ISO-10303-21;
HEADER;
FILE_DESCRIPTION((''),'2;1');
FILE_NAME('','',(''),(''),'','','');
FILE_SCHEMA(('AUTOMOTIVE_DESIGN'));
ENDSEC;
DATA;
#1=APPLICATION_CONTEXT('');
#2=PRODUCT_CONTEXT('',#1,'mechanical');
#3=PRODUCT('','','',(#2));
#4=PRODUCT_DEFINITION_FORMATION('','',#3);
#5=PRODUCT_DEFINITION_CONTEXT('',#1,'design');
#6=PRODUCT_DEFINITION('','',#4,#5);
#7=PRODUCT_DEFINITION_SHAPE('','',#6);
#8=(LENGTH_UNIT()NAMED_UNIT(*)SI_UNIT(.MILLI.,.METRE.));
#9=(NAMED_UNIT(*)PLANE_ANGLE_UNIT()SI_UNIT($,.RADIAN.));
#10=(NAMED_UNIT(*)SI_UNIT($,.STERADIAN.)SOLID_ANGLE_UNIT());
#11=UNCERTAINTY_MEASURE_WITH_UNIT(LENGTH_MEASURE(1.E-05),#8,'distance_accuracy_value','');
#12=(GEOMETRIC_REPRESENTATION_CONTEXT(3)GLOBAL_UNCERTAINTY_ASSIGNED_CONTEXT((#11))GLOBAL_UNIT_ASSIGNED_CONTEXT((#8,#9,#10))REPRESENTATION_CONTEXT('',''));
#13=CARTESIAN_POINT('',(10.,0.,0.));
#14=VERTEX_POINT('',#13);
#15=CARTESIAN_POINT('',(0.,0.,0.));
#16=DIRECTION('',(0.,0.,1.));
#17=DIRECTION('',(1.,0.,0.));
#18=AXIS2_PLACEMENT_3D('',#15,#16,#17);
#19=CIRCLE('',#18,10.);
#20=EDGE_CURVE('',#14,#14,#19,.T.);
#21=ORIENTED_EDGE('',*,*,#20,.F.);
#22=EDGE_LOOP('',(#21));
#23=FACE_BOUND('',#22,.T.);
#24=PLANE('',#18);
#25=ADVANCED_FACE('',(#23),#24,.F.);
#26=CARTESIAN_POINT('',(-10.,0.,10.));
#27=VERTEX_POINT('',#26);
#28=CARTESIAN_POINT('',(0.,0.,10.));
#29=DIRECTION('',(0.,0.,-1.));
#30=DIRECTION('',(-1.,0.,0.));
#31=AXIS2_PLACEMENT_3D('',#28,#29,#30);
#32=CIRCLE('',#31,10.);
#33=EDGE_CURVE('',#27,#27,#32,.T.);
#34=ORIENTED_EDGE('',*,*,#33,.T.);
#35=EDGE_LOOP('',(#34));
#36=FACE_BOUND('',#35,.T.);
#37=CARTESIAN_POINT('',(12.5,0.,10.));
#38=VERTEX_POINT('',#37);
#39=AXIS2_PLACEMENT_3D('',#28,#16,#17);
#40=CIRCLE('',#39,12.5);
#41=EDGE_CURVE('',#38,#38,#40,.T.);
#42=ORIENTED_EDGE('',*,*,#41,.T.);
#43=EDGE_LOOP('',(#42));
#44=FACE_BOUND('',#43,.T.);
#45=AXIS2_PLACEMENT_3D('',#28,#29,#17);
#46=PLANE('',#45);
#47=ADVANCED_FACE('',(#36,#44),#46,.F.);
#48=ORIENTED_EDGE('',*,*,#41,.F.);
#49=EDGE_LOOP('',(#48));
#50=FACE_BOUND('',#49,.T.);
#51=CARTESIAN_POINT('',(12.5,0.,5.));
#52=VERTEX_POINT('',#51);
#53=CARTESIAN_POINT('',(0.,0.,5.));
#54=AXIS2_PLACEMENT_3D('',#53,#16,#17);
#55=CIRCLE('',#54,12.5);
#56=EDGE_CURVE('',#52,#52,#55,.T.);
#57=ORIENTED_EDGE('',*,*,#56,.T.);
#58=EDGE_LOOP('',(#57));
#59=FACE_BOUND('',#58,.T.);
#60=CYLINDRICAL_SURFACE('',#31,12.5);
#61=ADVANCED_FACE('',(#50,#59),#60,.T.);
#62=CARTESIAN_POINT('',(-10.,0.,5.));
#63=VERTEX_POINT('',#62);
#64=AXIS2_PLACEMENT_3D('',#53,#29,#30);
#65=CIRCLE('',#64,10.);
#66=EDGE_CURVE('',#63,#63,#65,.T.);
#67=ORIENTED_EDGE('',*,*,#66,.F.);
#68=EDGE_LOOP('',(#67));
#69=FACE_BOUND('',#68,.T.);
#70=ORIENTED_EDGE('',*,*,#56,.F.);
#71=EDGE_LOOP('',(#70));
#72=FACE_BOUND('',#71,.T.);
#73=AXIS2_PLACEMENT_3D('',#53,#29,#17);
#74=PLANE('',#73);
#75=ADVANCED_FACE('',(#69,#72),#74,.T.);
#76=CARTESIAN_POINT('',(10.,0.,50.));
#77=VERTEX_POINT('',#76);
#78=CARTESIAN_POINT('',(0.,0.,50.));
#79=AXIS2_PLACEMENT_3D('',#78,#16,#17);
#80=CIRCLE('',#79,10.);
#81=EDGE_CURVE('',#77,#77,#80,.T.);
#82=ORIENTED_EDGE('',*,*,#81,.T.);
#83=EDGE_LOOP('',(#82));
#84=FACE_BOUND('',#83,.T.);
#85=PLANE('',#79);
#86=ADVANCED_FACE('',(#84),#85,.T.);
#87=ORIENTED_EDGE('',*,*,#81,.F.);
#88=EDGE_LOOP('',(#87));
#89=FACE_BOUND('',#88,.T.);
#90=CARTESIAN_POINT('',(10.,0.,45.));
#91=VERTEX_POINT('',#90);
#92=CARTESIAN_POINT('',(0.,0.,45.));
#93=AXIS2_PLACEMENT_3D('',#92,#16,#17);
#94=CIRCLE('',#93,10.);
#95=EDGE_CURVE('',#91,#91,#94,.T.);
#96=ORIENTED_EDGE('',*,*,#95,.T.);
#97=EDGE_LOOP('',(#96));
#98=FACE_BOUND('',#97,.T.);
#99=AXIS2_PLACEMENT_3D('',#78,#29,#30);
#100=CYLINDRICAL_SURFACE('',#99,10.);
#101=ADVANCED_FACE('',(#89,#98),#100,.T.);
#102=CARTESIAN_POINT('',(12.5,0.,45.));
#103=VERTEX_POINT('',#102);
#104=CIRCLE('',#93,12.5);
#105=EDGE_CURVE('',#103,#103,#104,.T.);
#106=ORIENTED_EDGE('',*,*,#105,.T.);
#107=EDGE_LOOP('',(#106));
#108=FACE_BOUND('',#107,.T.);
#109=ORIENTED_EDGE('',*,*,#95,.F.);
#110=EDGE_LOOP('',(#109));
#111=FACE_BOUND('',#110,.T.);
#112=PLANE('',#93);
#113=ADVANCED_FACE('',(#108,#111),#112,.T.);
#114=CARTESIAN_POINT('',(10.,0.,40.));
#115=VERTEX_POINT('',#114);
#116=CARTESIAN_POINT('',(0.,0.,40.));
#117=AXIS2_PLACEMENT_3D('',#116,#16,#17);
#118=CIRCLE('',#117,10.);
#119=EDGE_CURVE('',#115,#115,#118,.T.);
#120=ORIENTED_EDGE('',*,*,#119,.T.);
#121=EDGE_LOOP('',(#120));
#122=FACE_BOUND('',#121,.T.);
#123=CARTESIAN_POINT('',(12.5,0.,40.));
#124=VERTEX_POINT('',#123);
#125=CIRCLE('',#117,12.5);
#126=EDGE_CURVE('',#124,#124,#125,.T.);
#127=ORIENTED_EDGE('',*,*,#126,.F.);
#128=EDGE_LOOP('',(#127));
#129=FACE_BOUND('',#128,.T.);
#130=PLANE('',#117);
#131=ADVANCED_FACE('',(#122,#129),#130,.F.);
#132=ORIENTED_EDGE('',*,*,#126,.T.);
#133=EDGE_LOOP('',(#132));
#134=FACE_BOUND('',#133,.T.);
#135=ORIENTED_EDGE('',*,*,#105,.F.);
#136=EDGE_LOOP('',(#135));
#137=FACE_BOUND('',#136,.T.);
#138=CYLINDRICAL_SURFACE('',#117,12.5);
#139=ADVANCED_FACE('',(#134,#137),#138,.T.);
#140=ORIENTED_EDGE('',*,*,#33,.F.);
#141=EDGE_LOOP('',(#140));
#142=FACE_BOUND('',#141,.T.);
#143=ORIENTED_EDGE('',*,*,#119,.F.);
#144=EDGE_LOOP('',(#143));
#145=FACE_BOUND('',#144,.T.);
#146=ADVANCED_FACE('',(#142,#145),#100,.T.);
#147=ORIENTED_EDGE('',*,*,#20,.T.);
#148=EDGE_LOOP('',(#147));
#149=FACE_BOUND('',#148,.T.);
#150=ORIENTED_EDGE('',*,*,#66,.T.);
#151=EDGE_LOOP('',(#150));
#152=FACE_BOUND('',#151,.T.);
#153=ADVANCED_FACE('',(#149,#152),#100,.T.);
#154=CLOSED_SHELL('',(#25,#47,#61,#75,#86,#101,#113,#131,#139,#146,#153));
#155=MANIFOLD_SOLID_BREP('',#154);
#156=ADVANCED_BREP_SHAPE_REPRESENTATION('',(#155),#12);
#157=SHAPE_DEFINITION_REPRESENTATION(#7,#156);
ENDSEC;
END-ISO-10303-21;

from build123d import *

# Parameters (mm, degrees)
SKETCH1_R           = 10
BOSS_EXTRUDE1_DEPTH = 50
BOSS_EXTRUDE2_START = -5
SKETCH2_R           = 12.5
BOSS_EXTRUDE2_DEPTH = 5


with BuildPart() as part:
    # Sketch1 → Boss-Extrude1 (new body)
    with BuildSketch(Plane.XY):
        Circle(SKETCH1_R)
    extrude(amount=BOSS_EXTRUDE1_DEPTH)

    # Sketch2 → Boss-Extrude2 (add)
    with BuildSketch(Plane.XY.offset(50).offset(BOSS_EXTRUDE2_START)):
        Circle(SKETCH2_R)
    boss_extrude2 = extrude(amount=-BOSS_EXTRUDE2_DEPTH)

    # Mirror1: Boss-Extrude2 across plane
    add(boss_extrude2.mirror(Plane.XY.offset(25)))


solid = part.part
